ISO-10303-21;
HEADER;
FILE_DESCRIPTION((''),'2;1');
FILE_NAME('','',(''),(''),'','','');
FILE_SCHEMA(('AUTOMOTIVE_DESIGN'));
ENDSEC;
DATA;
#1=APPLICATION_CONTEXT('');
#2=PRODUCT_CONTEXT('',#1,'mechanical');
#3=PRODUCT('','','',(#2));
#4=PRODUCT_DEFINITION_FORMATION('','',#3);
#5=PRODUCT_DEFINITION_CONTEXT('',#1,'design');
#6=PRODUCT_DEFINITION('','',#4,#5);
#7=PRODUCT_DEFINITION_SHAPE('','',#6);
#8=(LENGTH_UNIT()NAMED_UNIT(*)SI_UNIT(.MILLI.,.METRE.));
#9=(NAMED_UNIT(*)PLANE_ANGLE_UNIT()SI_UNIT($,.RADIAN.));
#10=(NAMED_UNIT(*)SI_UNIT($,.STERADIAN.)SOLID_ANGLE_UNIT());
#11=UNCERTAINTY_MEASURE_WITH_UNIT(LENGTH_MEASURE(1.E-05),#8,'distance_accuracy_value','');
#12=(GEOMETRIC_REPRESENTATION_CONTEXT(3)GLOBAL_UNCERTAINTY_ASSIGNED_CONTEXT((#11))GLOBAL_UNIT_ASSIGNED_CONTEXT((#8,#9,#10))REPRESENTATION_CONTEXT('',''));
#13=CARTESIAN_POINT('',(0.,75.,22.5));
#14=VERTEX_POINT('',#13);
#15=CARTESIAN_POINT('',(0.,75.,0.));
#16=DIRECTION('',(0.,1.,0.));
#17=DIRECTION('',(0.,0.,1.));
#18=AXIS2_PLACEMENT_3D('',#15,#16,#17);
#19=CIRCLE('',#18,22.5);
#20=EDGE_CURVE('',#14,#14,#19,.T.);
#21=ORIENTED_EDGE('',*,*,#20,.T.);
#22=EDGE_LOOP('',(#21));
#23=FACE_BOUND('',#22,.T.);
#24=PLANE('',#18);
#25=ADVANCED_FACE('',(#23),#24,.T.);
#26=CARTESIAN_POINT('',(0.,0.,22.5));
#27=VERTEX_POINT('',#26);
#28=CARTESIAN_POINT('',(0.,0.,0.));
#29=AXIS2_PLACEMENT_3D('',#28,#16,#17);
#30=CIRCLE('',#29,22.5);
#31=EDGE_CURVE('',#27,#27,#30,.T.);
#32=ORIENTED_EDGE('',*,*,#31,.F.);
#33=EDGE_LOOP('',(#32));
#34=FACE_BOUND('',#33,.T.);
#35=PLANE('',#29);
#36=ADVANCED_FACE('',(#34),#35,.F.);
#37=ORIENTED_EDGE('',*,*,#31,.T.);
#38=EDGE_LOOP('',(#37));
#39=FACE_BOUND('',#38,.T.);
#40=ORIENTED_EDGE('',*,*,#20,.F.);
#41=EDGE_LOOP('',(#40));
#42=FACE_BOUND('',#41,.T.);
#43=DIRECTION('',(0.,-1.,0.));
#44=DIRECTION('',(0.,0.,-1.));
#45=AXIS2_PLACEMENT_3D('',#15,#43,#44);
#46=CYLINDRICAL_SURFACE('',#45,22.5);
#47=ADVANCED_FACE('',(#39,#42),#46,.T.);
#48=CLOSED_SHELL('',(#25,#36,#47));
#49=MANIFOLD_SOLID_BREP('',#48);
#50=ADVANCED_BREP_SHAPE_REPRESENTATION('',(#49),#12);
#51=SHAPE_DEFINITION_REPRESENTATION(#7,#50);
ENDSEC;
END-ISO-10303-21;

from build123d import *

# Parameters (mm, degrees)
SKETCH2_R           = 22.5
BOSS_EXTRUDE1_DEPTH = 75


with BuildPart() as part:
    # Sketch2 → Boss-Extrude1 (new body)
    with BuildSketch(Plane(origin=(0, 0, 0), x_dir=(1, 0, 0), z_dir=(0, 1, 0))):
        Circle(SKETCH2_R)
    extrude(amount=BOSS_EXTRUDE1_DEPTH)


solid = part.part
